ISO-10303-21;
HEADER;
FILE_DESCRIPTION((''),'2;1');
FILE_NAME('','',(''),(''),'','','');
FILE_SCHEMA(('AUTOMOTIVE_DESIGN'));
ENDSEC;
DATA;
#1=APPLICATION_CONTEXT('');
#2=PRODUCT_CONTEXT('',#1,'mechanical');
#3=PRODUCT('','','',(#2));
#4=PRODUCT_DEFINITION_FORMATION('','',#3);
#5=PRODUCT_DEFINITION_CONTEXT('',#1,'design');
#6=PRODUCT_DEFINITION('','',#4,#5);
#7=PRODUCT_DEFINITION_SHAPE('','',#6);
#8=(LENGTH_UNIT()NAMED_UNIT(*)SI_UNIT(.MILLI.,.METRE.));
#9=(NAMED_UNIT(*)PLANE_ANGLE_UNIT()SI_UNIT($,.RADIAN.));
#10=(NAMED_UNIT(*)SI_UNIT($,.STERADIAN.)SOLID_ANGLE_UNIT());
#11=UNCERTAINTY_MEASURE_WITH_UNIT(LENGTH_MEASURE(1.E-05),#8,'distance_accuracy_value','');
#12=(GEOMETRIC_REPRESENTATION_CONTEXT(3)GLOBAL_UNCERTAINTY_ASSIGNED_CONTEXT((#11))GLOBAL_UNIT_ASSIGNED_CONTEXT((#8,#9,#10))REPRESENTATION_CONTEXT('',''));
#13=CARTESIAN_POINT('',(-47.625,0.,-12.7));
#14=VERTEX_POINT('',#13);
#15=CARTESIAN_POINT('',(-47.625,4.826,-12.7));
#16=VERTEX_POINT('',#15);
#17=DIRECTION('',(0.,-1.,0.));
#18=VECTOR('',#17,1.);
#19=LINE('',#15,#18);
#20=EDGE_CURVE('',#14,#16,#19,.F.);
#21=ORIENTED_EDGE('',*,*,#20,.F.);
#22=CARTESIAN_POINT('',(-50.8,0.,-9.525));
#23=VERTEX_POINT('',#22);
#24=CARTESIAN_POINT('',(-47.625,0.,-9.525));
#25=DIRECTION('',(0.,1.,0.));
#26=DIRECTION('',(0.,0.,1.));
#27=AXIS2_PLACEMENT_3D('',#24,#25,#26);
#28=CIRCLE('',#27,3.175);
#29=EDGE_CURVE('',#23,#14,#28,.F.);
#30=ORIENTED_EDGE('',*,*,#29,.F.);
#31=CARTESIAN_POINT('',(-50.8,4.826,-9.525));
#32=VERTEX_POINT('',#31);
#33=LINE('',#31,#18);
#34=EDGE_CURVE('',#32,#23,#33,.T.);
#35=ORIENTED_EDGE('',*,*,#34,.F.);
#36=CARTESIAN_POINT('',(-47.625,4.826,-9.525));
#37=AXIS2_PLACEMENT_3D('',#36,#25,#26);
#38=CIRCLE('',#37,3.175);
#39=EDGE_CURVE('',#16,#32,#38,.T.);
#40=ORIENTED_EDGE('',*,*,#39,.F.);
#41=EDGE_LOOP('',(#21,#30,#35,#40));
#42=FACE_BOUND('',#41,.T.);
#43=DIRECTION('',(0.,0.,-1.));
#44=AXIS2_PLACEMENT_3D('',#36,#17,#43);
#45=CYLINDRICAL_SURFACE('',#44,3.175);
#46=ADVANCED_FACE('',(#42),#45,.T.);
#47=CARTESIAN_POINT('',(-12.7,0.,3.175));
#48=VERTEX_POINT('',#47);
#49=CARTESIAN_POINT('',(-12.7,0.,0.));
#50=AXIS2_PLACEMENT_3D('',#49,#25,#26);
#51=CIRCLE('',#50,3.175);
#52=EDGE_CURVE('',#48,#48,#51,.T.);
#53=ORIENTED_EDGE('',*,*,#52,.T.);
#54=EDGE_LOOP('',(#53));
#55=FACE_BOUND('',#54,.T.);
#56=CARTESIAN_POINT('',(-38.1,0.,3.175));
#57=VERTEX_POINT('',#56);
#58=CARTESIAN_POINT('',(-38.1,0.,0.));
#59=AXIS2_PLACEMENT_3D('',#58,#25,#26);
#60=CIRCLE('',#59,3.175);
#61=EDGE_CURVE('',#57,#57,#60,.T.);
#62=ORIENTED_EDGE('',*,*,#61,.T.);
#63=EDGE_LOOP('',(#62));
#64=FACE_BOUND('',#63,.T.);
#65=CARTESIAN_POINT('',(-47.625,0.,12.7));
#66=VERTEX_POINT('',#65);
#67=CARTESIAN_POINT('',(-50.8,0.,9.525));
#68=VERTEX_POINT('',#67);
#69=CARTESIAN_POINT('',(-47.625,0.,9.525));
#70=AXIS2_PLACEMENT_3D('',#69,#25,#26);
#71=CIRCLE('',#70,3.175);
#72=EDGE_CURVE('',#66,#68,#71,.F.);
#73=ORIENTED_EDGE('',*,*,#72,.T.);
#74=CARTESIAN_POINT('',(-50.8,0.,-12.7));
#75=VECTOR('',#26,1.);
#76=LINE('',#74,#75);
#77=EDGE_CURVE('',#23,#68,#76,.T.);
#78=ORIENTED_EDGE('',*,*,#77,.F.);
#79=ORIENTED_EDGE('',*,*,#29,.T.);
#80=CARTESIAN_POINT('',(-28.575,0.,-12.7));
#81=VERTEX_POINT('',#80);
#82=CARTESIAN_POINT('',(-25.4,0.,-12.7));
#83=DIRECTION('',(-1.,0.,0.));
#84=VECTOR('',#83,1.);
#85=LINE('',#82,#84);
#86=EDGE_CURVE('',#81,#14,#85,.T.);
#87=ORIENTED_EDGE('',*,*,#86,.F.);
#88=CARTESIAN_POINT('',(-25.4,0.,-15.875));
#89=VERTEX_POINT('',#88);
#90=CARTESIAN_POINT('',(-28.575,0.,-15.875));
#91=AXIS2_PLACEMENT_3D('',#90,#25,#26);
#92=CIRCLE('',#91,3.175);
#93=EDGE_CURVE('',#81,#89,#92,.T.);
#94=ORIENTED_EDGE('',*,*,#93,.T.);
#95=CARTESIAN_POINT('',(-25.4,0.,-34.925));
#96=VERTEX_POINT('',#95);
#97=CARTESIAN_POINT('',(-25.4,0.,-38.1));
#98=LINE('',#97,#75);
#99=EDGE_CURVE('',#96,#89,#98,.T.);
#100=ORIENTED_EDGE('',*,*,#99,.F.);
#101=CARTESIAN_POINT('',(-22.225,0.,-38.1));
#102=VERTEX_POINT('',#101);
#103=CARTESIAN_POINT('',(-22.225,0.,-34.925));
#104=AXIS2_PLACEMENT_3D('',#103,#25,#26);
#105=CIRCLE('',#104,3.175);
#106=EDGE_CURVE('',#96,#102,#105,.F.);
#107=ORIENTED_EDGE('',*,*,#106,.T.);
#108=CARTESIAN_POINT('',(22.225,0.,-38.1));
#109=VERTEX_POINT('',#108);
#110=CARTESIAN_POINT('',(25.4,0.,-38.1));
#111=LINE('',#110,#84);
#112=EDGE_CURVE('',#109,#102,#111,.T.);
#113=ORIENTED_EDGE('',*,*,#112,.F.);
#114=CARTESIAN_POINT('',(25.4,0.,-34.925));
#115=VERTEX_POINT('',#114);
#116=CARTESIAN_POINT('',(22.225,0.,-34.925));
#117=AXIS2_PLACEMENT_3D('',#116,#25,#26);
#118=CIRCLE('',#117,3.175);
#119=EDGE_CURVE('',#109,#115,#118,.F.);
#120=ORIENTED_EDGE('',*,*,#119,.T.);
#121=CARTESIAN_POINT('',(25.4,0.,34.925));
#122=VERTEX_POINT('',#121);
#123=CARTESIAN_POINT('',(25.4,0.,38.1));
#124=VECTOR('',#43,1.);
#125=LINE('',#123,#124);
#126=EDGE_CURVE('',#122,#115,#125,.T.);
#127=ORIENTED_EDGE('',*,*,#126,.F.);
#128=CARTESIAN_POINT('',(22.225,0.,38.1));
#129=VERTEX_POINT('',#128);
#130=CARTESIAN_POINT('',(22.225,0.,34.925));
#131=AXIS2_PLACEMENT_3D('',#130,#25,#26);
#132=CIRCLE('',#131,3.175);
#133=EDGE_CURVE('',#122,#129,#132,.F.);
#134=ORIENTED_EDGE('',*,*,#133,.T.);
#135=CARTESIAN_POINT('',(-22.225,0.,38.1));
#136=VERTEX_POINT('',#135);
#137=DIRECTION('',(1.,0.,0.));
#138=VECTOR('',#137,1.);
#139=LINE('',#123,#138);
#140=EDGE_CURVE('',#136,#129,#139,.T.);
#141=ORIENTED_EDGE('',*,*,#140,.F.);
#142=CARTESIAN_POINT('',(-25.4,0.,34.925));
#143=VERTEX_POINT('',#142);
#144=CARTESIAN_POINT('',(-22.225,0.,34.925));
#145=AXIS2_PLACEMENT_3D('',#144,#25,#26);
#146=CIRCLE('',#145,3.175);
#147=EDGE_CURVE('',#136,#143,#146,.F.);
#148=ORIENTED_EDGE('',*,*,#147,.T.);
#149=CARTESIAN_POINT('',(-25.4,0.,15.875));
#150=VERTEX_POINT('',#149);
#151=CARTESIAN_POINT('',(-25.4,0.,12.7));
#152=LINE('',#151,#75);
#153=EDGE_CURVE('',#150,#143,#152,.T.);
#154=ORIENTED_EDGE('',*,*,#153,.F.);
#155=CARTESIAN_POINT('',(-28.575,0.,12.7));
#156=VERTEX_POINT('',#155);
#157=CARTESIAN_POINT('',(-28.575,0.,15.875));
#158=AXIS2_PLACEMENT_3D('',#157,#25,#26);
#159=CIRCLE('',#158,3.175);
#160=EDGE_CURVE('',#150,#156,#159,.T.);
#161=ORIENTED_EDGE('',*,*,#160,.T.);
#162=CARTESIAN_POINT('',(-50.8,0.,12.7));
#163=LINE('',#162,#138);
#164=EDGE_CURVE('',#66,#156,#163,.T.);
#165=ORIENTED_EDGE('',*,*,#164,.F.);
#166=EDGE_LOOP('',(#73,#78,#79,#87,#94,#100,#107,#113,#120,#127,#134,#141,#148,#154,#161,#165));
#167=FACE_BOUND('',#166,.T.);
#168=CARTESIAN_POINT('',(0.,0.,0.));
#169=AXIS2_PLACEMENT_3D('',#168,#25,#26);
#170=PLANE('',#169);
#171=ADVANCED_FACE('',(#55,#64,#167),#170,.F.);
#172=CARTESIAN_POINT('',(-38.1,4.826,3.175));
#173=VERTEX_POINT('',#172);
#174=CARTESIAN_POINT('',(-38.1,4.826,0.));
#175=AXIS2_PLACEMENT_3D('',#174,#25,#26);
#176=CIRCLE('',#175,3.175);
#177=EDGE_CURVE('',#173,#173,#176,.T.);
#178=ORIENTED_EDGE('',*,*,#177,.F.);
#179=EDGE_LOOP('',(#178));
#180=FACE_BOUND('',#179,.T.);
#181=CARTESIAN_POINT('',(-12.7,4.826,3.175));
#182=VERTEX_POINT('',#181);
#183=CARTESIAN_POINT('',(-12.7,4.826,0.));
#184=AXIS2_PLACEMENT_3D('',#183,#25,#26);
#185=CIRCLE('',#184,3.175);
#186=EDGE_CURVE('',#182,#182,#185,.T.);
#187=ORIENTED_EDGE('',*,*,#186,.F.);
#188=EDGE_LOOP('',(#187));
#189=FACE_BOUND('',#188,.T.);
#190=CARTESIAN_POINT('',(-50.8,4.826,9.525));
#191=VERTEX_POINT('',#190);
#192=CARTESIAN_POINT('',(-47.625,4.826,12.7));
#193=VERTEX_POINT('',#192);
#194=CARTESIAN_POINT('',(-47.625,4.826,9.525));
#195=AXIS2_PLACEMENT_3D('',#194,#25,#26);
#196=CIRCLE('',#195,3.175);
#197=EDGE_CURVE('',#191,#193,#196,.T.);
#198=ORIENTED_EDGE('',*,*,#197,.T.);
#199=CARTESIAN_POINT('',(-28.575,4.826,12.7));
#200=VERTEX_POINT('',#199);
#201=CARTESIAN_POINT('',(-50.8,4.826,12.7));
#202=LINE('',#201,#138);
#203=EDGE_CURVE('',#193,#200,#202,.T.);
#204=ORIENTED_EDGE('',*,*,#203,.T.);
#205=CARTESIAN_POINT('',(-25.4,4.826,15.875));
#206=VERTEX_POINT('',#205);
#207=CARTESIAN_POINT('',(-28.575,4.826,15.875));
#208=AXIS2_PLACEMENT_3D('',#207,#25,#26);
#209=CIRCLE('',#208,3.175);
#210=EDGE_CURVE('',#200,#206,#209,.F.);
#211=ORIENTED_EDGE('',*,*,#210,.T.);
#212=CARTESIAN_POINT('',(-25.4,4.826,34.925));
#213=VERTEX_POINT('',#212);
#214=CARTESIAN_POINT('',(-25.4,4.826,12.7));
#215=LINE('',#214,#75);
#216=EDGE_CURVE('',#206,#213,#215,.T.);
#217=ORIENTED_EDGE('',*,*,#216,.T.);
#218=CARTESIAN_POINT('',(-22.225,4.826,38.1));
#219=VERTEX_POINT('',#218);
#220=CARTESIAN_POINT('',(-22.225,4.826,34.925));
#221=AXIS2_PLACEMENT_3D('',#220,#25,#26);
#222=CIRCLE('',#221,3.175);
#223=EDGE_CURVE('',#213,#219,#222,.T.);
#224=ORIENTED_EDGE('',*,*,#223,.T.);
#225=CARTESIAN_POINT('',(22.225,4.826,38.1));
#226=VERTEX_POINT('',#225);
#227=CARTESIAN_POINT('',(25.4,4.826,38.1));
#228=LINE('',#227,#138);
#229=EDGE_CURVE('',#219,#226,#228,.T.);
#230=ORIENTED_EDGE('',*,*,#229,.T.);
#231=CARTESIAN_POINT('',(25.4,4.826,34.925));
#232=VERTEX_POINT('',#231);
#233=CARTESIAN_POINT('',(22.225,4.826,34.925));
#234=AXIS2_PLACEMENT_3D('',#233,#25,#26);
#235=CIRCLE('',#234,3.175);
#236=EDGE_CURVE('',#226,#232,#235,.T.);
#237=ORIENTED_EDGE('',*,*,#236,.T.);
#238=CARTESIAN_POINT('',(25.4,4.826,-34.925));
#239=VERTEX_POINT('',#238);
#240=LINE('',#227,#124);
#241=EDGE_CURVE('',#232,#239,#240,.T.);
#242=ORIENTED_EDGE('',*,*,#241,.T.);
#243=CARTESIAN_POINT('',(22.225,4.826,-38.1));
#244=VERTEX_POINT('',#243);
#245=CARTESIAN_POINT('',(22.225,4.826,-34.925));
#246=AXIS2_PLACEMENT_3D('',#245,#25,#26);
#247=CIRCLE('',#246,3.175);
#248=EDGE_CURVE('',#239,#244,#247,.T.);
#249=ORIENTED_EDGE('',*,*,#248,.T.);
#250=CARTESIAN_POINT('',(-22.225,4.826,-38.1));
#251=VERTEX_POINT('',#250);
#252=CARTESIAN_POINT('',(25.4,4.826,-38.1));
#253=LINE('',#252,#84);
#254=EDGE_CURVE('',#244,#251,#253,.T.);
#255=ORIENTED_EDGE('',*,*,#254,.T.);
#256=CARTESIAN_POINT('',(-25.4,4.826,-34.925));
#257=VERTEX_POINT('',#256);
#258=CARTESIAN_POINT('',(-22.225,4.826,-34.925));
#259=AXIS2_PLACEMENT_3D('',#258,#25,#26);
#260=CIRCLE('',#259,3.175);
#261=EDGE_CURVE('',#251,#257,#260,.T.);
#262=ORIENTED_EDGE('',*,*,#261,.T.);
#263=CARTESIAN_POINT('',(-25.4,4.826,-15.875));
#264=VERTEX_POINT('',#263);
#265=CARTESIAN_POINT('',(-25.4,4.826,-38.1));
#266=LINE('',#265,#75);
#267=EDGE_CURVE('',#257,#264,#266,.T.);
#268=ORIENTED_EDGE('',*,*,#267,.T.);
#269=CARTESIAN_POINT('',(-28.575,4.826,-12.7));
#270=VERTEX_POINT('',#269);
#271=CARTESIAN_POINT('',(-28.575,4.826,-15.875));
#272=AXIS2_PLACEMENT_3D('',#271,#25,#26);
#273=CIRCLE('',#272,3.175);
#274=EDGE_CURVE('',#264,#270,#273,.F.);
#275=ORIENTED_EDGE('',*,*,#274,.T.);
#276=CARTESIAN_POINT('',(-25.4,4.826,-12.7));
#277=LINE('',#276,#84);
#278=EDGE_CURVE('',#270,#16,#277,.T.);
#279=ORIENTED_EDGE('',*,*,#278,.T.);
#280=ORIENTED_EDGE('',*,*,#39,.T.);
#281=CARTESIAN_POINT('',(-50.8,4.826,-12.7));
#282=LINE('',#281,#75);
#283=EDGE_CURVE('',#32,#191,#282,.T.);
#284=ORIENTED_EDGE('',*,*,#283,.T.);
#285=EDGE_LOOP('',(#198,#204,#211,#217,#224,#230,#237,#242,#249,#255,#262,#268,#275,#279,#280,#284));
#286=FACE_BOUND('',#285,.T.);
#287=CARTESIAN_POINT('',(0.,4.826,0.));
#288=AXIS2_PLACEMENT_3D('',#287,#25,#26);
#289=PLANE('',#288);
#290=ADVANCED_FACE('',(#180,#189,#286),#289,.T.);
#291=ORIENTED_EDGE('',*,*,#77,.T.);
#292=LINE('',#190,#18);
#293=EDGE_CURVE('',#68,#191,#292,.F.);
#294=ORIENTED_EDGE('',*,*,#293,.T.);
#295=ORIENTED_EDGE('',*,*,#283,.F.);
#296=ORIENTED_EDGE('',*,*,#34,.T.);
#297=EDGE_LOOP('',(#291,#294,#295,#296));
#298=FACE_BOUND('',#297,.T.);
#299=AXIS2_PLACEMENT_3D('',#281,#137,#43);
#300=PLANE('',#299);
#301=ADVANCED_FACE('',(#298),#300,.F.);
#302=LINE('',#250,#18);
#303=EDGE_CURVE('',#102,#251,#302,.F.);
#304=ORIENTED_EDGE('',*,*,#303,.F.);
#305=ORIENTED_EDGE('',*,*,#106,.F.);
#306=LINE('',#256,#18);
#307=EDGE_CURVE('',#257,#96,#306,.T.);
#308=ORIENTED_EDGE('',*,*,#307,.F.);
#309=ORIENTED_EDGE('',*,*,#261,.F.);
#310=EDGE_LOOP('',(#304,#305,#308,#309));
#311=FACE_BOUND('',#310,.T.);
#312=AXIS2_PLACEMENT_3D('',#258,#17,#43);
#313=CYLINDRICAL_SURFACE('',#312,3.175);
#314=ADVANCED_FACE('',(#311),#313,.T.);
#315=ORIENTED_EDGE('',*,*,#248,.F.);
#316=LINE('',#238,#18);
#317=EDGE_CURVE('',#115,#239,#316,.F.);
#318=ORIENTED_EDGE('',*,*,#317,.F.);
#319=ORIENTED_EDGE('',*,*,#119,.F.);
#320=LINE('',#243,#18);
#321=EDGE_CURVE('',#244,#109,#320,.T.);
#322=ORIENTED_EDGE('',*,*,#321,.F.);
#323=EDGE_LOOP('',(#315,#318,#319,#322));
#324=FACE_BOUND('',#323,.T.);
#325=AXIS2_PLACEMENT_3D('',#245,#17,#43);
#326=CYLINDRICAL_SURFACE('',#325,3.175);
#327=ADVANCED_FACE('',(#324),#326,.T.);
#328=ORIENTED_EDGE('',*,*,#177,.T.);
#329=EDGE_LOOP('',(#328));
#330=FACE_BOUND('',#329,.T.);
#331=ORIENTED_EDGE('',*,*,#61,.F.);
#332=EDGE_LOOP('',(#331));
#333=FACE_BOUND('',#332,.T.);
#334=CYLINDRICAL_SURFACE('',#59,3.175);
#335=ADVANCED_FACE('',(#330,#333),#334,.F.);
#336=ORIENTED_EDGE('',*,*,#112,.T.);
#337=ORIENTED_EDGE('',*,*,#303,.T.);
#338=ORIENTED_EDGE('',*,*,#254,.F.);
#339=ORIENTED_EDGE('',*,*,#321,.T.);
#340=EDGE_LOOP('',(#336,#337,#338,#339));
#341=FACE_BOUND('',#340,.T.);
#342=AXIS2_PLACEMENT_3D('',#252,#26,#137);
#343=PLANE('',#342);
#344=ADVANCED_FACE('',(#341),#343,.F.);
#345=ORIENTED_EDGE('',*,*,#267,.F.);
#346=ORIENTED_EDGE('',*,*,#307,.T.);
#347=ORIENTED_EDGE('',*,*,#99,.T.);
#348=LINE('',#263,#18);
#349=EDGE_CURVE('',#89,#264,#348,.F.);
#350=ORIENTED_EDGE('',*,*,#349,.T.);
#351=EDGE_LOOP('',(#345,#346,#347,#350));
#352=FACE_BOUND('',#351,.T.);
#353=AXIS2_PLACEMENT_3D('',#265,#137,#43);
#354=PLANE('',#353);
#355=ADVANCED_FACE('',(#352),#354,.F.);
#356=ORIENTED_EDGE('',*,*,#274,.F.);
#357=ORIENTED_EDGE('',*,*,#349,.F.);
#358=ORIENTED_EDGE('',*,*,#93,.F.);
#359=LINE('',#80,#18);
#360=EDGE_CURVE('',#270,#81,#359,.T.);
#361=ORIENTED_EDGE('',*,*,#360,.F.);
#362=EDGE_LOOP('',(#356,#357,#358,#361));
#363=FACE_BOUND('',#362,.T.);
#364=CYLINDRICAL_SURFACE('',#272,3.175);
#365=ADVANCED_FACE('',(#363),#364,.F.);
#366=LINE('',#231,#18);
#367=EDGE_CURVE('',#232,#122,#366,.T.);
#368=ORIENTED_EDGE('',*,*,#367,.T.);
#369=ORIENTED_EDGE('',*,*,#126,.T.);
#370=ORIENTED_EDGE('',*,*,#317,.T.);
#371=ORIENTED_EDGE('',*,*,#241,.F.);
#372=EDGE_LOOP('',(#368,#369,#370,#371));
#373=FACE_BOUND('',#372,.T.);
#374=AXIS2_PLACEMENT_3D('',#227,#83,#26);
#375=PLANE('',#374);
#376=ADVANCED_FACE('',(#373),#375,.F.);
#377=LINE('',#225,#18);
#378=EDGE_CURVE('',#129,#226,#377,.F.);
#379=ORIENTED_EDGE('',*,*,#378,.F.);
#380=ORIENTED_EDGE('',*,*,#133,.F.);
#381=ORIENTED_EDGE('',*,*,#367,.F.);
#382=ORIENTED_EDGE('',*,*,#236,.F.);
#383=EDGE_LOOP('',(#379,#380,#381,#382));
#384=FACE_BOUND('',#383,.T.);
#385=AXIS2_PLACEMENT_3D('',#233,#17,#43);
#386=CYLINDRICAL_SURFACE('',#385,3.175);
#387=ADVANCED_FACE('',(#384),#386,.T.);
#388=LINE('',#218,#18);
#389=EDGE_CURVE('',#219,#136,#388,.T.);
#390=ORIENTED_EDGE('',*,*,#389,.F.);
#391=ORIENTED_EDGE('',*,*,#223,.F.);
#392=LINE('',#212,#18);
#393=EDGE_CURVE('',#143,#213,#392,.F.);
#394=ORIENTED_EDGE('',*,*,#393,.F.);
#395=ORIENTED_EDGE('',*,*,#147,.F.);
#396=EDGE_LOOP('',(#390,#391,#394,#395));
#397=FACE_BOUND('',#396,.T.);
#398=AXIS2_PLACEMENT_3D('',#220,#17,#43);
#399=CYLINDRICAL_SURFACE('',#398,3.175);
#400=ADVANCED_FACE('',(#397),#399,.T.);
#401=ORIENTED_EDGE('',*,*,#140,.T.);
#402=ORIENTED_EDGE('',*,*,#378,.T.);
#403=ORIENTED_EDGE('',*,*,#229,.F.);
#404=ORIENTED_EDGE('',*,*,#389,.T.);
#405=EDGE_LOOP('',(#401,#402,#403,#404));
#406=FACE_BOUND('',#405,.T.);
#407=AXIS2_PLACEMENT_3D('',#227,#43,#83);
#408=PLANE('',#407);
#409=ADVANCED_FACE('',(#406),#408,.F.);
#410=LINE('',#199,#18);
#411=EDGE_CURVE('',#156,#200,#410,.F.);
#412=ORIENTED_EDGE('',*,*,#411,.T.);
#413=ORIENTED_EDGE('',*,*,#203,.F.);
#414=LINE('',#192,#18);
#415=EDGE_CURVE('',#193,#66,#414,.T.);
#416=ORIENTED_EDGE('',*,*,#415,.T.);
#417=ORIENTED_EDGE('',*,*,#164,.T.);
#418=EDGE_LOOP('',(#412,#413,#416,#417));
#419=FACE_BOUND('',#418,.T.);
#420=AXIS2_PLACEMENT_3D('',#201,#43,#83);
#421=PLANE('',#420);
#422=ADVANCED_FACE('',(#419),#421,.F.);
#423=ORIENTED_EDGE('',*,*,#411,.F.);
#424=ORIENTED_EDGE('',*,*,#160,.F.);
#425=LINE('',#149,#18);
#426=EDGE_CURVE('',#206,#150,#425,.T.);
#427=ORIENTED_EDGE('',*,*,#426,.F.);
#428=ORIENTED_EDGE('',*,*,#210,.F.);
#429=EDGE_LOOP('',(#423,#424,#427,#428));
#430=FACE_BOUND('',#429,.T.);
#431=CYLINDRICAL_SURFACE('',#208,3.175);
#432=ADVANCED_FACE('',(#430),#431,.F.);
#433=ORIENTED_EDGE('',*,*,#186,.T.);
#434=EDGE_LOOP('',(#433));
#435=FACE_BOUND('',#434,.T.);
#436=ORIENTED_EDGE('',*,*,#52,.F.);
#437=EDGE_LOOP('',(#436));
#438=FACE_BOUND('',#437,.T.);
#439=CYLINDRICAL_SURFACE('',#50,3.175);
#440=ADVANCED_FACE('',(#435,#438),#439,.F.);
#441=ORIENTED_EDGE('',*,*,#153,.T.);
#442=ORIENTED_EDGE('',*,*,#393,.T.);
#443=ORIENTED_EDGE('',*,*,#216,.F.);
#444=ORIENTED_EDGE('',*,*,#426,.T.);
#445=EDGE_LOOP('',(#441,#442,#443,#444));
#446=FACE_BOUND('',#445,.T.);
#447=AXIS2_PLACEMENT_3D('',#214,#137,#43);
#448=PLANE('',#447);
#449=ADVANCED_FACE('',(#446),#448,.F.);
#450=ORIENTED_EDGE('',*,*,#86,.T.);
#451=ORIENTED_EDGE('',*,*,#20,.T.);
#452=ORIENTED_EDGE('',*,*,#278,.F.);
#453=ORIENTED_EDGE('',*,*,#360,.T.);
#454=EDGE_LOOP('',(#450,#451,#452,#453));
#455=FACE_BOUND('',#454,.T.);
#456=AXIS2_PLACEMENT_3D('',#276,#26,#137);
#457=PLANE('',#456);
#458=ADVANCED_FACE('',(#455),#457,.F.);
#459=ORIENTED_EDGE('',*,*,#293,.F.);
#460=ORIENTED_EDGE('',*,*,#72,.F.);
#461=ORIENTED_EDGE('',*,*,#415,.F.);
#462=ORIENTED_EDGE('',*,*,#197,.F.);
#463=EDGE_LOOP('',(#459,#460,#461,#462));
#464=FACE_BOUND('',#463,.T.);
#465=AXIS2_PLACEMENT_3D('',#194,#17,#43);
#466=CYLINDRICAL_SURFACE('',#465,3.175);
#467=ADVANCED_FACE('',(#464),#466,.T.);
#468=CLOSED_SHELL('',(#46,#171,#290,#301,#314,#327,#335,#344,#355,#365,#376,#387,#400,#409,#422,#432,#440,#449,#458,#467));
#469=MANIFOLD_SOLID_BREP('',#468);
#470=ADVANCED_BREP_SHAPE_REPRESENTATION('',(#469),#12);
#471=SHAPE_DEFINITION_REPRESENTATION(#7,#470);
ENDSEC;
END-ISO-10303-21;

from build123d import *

# Parameters (mm, degrees)
BOSS_EXTRUDE1_DEPTH = 4.826
FILLET1_R           = 3.175
SKETCH2_R           = 3.175
CUT_EXTRUDE1_DEPTH  = 64.68312395


with BuildPart() as part:
    # Sketch1 → Boss-Extrude1 (new body)
    with BuildSketch(Plane(origin=(0, 0, 0), x_dir=(1, 0, 0), z_dir=(0, 1, 0))):
        Polygon((-25.4, 38.1), (-25.4, 12.7), (-50.8, 12.7), (-50.8, -12.7), (-25.4, -12.7), (-25.4, -38.1), (25.4, -38.1), (25.4, 38.1), align=None)
    extrude(amount=BOSS_EXTRUDE1_DEPTH)

    # Fillet1
    fillet1_edges = [part.edges().sort_by_distance(p)[0] for p in [
        (25.4, 2.413, -38.1),
        (25.4, 2.413, 38.1),
        (-25.4, 2.413, 38.1),
        (-25.4, 2.413, 12.7),
        (-50.8, 2.413, 12.7),
        (-50.8, 2.413, -12.7),
        (-25.4, 2.413, -12.7),
        (-25.4, 2.413, -38.1),
    ]]
    fillet(fillet1_edges, radius=FILLET1_R)

    # Sketch2 → Cut-Extrude1 (cut, through all)
    with BuildSketch(Plane(origin=(0, 4.826, 0), x_dir=(1, 0, 0), z_dir=(0, 1, 0))):
        with Locations(Location((-38.1, 0, 0), (0, 0, 270))):
            Circle(SKETCH2_R)
        with Locations(Location((-12.7, 0, 0), (0, 0, 270))):
            Circle(SKETCH2_R)
    extrude(amount=-CUT_EXTRUDE1_DEPTH, mode=Mode.SUBTRACT)


solid = part.part
